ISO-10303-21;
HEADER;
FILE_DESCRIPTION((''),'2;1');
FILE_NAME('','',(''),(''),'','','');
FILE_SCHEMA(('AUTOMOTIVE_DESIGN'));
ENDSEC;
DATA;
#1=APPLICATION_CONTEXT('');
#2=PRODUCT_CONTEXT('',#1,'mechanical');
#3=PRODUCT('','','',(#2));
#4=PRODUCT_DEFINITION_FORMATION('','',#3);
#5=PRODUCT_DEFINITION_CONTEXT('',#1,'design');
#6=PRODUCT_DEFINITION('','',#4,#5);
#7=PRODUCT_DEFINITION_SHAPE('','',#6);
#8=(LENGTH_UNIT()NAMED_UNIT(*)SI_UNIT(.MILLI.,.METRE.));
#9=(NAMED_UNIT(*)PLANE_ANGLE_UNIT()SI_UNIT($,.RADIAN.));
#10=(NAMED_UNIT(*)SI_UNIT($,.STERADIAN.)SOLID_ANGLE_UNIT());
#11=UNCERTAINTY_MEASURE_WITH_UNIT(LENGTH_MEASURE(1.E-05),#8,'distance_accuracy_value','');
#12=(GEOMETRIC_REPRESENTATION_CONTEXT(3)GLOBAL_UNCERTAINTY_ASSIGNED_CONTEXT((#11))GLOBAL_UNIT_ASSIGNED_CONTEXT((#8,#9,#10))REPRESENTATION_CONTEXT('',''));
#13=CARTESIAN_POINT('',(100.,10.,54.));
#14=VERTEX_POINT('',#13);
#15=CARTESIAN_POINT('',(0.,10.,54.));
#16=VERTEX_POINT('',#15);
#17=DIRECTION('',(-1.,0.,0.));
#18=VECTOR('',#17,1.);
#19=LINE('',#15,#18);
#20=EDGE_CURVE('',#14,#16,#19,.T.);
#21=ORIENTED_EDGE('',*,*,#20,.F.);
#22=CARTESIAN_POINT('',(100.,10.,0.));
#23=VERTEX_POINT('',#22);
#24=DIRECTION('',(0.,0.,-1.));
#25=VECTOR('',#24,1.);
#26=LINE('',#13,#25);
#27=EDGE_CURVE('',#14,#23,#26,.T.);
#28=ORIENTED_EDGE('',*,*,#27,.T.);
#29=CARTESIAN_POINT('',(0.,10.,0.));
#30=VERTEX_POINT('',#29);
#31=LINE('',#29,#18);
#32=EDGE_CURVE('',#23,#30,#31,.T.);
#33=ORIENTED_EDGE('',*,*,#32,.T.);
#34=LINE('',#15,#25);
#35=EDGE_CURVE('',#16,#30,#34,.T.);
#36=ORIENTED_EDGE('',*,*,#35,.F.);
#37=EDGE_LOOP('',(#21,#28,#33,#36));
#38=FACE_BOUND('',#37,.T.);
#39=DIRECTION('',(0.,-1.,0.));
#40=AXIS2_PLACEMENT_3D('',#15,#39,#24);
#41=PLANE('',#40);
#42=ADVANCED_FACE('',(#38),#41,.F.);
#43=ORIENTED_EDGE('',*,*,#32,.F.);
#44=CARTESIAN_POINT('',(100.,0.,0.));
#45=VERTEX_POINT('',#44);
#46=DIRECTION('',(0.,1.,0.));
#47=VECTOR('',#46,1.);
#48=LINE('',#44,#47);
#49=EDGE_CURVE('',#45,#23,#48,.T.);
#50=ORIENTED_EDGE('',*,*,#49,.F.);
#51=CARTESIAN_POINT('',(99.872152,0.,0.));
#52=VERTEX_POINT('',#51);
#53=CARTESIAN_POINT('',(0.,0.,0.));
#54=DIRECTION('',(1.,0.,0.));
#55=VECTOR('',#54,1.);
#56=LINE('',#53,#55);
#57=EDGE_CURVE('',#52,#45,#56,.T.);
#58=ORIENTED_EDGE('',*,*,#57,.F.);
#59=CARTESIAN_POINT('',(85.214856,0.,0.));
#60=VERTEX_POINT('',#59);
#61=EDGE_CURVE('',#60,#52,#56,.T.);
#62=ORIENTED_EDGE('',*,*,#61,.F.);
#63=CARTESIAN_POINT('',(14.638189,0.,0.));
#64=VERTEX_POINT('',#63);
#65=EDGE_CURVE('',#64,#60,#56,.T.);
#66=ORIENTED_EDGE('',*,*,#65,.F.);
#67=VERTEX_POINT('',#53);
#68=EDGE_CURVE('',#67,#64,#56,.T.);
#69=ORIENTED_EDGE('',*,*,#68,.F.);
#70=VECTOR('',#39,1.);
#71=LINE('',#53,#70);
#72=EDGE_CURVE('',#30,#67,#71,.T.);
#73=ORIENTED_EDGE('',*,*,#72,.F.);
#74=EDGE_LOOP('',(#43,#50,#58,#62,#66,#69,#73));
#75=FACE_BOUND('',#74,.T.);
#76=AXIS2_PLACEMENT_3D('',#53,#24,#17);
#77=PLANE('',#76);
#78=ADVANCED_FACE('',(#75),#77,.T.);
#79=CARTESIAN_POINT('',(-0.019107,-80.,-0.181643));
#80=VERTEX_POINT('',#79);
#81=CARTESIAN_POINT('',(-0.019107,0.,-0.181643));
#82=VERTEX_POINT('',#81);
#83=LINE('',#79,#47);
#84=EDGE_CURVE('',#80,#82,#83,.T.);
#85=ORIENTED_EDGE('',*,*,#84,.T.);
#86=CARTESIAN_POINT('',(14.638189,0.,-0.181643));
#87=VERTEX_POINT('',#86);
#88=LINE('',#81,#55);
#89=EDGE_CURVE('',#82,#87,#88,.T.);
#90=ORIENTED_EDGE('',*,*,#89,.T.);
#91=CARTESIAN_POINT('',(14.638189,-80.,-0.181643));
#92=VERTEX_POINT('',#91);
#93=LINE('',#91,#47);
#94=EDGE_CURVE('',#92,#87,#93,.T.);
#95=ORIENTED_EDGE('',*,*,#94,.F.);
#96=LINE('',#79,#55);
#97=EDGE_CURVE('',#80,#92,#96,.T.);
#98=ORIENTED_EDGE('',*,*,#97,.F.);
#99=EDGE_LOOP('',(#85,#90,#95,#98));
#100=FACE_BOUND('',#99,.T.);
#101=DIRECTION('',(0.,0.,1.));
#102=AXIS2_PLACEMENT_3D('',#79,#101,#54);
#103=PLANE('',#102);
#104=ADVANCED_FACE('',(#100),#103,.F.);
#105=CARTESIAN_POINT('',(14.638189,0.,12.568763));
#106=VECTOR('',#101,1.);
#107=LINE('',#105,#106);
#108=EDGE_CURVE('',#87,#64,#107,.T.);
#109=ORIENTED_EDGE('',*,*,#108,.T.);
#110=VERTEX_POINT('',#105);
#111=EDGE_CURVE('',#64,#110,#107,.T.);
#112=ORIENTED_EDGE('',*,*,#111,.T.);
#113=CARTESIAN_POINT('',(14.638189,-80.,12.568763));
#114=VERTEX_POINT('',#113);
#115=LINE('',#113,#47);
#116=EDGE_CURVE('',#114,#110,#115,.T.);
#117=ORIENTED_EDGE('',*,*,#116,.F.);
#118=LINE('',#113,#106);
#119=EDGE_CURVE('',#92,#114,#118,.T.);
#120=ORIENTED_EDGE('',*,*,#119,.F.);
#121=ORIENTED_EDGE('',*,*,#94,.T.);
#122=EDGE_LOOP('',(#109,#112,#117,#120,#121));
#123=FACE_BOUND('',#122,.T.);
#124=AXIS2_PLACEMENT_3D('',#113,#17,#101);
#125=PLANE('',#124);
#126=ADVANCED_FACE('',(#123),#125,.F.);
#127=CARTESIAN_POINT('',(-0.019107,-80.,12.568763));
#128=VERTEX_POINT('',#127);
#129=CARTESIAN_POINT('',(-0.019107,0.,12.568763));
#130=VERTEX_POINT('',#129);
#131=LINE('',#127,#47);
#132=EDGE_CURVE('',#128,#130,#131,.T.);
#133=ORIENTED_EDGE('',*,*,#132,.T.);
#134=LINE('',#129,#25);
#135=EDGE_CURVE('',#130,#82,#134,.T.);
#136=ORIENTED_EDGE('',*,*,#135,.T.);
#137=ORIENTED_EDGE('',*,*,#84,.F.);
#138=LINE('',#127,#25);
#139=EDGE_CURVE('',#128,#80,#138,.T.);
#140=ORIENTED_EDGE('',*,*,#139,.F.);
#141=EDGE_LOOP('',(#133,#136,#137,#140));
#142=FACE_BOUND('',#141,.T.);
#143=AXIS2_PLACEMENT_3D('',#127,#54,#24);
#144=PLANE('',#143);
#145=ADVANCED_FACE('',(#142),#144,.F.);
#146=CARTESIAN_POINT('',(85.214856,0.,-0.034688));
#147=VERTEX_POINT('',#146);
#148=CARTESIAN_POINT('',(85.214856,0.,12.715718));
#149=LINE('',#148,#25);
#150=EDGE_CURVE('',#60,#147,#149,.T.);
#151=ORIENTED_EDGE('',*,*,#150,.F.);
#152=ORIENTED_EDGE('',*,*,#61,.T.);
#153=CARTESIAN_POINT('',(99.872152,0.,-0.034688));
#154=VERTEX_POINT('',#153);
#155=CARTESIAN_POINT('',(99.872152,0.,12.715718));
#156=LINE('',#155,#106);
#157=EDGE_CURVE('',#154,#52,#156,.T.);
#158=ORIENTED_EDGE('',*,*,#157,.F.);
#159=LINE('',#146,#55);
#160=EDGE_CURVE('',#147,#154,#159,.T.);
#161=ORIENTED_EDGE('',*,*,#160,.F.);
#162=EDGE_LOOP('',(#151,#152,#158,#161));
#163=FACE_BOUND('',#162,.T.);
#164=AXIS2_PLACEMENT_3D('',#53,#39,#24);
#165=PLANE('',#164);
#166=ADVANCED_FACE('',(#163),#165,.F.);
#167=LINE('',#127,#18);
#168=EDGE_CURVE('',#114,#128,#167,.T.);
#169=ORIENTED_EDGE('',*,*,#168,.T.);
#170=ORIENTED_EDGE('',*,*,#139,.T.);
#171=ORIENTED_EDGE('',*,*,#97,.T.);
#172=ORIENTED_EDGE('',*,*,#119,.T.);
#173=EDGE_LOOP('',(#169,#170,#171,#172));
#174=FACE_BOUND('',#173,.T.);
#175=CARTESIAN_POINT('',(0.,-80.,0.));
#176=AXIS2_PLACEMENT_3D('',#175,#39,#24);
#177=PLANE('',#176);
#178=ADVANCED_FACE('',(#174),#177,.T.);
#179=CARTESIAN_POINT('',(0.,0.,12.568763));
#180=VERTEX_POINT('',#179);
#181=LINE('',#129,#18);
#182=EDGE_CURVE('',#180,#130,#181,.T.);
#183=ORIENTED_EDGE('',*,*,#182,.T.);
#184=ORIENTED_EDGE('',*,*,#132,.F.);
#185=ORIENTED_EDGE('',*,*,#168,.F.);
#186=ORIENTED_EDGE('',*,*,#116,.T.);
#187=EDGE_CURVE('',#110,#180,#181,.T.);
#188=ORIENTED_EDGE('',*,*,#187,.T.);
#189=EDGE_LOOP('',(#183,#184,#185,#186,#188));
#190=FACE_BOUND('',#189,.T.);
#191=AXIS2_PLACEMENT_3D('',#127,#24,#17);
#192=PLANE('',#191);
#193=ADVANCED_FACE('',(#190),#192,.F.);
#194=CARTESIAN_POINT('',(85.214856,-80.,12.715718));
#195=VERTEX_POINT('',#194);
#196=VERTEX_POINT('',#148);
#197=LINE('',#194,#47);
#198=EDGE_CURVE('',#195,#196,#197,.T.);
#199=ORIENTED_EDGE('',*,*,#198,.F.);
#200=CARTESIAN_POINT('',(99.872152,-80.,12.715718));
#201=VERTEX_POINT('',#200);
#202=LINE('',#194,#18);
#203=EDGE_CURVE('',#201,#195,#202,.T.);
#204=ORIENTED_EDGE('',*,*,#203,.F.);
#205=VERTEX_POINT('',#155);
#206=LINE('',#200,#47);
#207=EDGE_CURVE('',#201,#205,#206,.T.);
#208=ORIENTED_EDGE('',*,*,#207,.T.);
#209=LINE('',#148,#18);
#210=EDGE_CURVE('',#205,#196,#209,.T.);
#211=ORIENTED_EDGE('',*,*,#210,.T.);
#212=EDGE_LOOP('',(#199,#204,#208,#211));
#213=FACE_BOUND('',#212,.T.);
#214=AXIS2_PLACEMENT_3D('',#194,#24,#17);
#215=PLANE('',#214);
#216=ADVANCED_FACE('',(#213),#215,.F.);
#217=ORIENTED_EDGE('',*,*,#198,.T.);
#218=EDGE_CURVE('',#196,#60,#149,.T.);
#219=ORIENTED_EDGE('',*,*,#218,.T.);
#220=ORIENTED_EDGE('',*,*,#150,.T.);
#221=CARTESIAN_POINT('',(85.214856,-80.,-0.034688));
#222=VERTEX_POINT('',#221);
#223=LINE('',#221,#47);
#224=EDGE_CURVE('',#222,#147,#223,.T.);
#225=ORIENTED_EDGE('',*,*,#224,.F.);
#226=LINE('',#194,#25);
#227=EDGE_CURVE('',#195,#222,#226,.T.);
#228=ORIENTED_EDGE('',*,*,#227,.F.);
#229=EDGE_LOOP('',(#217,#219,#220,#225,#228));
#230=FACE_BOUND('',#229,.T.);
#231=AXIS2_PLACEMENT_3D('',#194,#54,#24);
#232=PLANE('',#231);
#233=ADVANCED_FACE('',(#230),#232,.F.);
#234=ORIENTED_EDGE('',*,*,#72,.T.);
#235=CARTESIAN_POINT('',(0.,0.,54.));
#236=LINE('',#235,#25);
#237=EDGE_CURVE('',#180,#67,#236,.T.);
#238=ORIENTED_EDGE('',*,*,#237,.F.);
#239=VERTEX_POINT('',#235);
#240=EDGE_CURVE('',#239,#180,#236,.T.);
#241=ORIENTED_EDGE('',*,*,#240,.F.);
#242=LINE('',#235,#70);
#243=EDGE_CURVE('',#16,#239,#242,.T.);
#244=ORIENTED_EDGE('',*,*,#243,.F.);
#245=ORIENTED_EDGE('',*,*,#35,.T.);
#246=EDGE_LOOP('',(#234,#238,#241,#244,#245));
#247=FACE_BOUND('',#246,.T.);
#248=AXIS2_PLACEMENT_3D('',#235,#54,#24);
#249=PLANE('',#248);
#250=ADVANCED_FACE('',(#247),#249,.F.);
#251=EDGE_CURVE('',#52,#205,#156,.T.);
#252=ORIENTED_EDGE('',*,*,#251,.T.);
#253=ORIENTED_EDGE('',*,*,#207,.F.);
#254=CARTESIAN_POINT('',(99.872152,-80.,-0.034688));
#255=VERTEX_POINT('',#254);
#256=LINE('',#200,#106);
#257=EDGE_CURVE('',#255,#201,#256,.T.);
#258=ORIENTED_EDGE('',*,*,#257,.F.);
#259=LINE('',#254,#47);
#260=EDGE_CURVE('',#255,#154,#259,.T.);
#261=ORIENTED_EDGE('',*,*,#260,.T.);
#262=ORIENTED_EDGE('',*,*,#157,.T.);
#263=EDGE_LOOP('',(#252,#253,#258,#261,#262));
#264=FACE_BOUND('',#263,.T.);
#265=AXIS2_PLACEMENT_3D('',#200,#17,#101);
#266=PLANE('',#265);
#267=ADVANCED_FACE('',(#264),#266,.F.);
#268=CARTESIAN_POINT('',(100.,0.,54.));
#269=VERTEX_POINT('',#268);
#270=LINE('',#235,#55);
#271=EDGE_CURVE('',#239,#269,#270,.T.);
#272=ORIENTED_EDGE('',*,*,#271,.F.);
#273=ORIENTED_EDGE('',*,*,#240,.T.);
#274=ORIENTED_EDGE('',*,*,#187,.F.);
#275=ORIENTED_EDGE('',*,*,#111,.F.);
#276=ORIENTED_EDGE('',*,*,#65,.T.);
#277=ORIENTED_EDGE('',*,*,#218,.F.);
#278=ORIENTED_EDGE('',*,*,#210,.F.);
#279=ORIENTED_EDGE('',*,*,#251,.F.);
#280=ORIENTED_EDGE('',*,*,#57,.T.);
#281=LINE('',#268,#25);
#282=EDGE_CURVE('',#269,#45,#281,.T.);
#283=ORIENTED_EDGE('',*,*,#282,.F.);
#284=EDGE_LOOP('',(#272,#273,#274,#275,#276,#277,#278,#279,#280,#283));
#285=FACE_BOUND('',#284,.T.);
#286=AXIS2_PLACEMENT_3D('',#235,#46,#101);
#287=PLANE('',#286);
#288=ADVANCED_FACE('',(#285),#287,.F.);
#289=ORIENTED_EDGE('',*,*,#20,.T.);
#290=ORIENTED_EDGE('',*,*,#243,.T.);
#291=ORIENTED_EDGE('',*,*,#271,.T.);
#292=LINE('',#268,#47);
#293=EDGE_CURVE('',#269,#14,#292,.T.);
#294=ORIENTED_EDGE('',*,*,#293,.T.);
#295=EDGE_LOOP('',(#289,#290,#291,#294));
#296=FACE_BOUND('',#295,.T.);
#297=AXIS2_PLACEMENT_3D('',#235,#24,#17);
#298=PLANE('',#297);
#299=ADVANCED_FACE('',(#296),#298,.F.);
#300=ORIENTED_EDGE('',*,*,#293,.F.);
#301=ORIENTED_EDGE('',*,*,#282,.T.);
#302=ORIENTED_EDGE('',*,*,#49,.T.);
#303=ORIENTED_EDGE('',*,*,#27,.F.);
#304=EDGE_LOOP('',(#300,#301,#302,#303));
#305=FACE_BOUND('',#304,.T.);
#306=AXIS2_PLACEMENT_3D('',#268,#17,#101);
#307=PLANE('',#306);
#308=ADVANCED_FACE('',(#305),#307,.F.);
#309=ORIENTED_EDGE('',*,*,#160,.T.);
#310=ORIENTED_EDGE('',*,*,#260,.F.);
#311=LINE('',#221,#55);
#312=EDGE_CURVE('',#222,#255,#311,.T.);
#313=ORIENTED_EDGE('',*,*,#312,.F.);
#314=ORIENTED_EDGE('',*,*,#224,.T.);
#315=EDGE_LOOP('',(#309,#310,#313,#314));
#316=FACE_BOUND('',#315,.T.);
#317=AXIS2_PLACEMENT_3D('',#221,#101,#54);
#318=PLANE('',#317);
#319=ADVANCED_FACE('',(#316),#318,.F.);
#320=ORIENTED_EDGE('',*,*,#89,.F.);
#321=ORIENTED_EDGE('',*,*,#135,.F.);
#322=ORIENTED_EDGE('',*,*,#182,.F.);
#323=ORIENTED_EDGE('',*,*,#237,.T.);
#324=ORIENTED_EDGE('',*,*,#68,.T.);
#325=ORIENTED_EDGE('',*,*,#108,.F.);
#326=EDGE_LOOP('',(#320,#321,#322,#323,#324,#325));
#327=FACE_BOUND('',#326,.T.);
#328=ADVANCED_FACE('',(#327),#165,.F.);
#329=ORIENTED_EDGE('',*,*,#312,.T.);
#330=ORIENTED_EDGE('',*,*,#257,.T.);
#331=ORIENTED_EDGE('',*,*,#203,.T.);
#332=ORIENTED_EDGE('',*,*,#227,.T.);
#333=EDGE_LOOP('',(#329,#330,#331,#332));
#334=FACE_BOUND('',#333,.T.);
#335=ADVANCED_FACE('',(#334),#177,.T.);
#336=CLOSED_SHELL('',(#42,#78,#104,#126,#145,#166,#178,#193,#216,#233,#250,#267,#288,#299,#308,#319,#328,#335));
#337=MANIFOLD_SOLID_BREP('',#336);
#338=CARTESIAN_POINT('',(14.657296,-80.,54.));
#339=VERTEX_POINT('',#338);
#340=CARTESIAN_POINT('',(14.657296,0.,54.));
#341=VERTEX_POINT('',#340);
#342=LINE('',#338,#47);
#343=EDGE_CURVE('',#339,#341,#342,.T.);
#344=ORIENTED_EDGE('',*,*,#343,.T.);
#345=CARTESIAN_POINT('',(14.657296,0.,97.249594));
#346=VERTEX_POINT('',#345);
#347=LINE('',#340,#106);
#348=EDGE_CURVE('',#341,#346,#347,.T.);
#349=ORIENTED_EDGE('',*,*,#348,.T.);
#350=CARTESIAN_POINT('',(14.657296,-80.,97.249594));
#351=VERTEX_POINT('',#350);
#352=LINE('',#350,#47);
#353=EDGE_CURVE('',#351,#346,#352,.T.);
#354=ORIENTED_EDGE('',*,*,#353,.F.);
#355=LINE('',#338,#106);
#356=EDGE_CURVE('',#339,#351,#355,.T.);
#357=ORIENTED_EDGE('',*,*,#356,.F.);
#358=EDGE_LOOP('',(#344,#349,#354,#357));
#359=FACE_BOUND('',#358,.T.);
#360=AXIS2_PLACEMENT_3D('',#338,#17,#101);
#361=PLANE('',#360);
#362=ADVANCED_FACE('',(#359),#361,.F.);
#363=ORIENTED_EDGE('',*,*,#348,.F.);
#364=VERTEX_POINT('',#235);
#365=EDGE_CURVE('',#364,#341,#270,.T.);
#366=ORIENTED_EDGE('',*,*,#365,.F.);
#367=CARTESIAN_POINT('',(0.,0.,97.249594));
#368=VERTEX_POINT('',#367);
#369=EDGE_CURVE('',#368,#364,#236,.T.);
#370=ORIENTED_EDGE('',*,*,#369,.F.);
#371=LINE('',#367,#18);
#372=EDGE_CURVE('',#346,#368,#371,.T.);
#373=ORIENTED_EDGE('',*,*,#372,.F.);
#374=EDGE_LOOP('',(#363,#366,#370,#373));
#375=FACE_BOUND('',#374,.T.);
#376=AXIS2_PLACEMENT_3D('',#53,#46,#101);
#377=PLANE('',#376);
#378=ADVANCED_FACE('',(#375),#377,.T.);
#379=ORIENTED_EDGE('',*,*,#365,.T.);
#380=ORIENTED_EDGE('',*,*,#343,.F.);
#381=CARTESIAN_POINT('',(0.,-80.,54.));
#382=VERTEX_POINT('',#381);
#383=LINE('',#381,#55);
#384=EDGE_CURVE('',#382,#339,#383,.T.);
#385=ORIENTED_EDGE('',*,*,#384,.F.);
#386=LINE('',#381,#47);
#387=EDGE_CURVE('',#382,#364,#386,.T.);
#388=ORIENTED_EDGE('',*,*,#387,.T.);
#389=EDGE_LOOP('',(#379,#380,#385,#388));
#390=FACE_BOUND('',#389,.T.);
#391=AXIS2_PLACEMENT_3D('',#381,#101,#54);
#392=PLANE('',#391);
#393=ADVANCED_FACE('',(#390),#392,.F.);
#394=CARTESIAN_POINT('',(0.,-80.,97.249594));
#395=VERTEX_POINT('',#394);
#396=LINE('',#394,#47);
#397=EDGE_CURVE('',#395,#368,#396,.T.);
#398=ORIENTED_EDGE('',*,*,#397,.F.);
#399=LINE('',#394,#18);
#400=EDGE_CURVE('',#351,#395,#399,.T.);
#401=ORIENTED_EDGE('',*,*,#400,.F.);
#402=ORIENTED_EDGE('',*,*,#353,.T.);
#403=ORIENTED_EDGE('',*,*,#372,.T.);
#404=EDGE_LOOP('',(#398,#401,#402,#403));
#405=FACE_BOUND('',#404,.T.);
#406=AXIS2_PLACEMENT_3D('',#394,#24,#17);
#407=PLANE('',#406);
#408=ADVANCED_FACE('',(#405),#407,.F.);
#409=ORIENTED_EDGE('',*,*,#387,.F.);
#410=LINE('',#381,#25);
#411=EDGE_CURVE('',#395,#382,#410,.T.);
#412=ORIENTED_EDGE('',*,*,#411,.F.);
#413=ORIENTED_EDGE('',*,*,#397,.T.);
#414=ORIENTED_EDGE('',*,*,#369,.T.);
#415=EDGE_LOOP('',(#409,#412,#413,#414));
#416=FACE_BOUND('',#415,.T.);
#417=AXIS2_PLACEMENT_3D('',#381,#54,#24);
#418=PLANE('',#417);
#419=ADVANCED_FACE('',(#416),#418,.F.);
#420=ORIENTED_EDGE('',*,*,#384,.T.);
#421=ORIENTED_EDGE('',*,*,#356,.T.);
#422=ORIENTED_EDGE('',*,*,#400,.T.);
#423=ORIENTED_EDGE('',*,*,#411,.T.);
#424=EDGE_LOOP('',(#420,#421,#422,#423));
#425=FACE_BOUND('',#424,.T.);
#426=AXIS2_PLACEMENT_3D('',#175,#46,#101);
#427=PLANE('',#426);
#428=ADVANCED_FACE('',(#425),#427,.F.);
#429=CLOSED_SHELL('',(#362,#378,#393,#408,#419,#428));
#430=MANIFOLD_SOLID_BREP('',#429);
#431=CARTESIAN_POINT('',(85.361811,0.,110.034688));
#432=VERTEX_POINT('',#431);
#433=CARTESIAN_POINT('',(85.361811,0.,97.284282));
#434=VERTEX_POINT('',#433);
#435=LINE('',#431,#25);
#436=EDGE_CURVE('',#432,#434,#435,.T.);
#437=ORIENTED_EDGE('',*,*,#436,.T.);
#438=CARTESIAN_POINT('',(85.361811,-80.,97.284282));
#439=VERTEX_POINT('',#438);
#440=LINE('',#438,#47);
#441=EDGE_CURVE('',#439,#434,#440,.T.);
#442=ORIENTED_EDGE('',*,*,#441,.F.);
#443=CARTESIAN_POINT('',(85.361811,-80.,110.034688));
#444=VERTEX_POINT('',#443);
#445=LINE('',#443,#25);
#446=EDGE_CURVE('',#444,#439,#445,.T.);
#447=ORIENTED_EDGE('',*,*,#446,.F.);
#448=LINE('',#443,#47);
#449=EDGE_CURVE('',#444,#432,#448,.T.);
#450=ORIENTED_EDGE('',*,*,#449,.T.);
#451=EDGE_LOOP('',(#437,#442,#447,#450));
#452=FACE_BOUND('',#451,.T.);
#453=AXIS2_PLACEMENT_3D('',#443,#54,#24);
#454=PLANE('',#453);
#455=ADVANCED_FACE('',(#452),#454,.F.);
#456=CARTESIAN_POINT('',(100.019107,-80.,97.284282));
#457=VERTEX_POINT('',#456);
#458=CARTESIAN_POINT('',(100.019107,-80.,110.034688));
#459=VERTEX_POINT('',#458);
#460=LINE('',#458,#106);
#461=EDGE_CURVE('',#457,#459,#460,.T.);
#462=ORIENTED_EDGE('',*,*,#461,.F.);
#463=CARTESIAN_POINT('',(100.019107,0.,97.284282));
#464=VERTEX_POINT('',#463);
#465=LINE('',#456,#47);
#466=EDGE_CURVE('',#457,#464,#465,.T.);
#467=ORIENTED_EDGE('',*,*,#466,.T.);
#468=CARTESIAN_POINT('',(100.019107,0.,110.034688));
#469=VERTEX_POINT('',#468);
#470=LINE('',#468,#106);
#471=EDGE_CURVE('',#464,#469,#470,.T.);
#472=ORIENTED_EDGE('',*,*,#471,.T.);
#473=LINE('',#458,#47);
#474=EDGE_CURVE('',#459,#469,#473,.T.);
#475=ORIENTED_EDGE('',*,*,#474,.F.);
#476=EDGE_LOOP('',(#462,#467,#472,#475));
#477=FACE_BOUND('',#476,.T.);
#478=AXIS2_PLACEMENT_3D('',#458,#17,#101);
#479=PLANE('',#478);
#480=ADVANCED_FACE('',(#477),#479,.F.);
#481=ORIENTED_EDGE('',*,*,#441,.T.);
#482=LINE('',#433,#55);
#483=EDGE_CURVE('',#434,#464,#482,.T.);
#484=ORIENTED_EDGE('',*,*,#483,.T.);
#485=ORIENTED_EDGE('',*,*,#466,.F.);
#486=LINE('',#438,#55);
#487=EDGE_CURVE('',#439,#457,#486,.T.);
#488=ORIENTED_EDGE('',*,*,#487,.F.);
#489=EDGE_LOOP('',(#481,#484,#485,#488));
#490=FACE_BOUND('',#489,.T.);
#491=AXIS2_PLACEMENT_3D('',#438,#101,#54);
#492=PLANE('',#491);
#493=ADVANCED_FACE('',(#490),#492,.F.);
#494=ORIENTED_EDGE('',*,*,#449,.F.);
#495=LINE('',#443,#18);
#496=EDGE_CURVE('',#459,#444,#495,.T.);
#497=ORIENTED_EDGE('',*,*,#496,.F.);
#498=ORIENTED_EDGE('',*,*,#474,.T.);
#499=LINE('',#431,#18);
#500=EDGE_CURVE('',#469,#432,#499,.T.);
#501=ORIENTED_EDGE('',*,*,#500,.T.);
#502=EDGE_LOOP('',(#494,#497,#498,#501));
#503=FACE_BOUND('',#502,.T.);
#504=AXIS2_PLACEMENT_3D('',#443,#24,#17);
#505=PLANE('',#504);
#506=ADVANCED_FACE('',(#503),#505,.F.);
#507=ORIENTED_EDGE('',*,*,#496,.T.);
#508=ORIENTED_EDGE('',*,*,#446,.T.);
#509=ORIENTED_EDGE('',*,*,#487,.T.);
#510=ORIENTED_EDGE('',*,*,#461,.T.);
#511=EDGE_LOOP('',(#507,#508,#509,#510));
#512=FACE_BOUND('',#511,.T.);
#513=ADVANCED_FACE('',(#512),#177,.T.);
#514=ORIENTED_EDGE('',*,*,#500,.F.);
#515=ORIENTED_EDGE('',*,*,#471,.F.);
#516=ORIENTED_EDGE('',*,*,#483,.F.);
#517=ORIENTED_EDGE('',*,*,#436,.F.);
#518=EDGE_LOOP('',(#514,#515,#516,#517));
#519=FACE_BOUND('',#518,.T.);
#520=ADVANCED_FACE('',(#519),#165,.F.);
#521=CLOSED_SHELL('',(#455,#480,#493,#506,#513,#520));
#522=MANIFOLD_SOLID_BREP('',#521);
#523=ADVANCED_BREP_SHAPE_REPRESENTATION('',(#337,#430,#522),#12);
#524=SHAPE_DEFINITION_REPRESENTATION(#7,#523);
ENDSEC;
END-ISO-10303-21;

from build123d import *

# Parameters (mm, degrees)
SKETCH1_W           = 100
SKETCH1_H           = 10
BOSS_EXTRUDE1_DEPTH = 54
SKETCH2_W           = 14.657296337
SKETCH2_H           = 12.750406224
SKETCH2_H_2         = 43.249593776
SKETCH2_W_2         = 14.657296336
BOSS_EXTRUDE2_DEPTH = 80


with BuildPart() as part:
    # Sketch1 → Boss-Extrude1 (new body)
    with BuildSketch(Plane.XY):
        with Locations((50, 5)):
            Rectangle(SKETCH1_W, SKETCH1_H)
    extrude(amount=BOSS_EXTRUDE1_DEPTH)

    # Sketch2 → Boss-Extrude2 (add)
    with BuildSketch(Plane.XZ):
        with Locations((92.690459103, 103.659485129)):
            Rectangle(SKETCH2_W, SKETCH2_H)
        with Locations((7.328648169, 75.624796888)):
            Rectangle(SKETCH2_W, SKETCH2_H_2)
        with Locations((7.309540898, 6.193559762)):
            Rectangle(SKETCH2_W, SKETCH2_H)
        with Locations((92.543503994, 6.340514871)):
            Rectangle(SKETCH2_W_2, SKETCH2_H)
    extrude(amount=BOSS_EXTRUDE2_DEPTH)


with BuildPart() as boss_extrude2_piece_1:
    # of the separate pieces the step leaves, piece 1, a body of its own (boss_extrude2_pieces)
    add(part.part.solids().sort_by_distance((0, 0, 12.568762874))[0])


with BuildPart() as boss_extrude2_piece_2:
    # of the separate pieces the step leaves, piece 2, a body of its own (boss_extrude2_pieces)
    add(part.part.solids().sort_by_distance((0, -80, 54))[0])


with BuildPart() as boss_extrude2_piece_3:
    # of the separate pieces the step leaves, piece 3, a body of its own (boss_extrude2_pieces)
    add(part.part.solids().sort_by_distance((85.361810934, 0, 110.034688241))[0])


solid = Compound([boss_extrude2_piece_1.part, boss_extrude2_piece_2.part, boss_extrude2_piece_3.part])
